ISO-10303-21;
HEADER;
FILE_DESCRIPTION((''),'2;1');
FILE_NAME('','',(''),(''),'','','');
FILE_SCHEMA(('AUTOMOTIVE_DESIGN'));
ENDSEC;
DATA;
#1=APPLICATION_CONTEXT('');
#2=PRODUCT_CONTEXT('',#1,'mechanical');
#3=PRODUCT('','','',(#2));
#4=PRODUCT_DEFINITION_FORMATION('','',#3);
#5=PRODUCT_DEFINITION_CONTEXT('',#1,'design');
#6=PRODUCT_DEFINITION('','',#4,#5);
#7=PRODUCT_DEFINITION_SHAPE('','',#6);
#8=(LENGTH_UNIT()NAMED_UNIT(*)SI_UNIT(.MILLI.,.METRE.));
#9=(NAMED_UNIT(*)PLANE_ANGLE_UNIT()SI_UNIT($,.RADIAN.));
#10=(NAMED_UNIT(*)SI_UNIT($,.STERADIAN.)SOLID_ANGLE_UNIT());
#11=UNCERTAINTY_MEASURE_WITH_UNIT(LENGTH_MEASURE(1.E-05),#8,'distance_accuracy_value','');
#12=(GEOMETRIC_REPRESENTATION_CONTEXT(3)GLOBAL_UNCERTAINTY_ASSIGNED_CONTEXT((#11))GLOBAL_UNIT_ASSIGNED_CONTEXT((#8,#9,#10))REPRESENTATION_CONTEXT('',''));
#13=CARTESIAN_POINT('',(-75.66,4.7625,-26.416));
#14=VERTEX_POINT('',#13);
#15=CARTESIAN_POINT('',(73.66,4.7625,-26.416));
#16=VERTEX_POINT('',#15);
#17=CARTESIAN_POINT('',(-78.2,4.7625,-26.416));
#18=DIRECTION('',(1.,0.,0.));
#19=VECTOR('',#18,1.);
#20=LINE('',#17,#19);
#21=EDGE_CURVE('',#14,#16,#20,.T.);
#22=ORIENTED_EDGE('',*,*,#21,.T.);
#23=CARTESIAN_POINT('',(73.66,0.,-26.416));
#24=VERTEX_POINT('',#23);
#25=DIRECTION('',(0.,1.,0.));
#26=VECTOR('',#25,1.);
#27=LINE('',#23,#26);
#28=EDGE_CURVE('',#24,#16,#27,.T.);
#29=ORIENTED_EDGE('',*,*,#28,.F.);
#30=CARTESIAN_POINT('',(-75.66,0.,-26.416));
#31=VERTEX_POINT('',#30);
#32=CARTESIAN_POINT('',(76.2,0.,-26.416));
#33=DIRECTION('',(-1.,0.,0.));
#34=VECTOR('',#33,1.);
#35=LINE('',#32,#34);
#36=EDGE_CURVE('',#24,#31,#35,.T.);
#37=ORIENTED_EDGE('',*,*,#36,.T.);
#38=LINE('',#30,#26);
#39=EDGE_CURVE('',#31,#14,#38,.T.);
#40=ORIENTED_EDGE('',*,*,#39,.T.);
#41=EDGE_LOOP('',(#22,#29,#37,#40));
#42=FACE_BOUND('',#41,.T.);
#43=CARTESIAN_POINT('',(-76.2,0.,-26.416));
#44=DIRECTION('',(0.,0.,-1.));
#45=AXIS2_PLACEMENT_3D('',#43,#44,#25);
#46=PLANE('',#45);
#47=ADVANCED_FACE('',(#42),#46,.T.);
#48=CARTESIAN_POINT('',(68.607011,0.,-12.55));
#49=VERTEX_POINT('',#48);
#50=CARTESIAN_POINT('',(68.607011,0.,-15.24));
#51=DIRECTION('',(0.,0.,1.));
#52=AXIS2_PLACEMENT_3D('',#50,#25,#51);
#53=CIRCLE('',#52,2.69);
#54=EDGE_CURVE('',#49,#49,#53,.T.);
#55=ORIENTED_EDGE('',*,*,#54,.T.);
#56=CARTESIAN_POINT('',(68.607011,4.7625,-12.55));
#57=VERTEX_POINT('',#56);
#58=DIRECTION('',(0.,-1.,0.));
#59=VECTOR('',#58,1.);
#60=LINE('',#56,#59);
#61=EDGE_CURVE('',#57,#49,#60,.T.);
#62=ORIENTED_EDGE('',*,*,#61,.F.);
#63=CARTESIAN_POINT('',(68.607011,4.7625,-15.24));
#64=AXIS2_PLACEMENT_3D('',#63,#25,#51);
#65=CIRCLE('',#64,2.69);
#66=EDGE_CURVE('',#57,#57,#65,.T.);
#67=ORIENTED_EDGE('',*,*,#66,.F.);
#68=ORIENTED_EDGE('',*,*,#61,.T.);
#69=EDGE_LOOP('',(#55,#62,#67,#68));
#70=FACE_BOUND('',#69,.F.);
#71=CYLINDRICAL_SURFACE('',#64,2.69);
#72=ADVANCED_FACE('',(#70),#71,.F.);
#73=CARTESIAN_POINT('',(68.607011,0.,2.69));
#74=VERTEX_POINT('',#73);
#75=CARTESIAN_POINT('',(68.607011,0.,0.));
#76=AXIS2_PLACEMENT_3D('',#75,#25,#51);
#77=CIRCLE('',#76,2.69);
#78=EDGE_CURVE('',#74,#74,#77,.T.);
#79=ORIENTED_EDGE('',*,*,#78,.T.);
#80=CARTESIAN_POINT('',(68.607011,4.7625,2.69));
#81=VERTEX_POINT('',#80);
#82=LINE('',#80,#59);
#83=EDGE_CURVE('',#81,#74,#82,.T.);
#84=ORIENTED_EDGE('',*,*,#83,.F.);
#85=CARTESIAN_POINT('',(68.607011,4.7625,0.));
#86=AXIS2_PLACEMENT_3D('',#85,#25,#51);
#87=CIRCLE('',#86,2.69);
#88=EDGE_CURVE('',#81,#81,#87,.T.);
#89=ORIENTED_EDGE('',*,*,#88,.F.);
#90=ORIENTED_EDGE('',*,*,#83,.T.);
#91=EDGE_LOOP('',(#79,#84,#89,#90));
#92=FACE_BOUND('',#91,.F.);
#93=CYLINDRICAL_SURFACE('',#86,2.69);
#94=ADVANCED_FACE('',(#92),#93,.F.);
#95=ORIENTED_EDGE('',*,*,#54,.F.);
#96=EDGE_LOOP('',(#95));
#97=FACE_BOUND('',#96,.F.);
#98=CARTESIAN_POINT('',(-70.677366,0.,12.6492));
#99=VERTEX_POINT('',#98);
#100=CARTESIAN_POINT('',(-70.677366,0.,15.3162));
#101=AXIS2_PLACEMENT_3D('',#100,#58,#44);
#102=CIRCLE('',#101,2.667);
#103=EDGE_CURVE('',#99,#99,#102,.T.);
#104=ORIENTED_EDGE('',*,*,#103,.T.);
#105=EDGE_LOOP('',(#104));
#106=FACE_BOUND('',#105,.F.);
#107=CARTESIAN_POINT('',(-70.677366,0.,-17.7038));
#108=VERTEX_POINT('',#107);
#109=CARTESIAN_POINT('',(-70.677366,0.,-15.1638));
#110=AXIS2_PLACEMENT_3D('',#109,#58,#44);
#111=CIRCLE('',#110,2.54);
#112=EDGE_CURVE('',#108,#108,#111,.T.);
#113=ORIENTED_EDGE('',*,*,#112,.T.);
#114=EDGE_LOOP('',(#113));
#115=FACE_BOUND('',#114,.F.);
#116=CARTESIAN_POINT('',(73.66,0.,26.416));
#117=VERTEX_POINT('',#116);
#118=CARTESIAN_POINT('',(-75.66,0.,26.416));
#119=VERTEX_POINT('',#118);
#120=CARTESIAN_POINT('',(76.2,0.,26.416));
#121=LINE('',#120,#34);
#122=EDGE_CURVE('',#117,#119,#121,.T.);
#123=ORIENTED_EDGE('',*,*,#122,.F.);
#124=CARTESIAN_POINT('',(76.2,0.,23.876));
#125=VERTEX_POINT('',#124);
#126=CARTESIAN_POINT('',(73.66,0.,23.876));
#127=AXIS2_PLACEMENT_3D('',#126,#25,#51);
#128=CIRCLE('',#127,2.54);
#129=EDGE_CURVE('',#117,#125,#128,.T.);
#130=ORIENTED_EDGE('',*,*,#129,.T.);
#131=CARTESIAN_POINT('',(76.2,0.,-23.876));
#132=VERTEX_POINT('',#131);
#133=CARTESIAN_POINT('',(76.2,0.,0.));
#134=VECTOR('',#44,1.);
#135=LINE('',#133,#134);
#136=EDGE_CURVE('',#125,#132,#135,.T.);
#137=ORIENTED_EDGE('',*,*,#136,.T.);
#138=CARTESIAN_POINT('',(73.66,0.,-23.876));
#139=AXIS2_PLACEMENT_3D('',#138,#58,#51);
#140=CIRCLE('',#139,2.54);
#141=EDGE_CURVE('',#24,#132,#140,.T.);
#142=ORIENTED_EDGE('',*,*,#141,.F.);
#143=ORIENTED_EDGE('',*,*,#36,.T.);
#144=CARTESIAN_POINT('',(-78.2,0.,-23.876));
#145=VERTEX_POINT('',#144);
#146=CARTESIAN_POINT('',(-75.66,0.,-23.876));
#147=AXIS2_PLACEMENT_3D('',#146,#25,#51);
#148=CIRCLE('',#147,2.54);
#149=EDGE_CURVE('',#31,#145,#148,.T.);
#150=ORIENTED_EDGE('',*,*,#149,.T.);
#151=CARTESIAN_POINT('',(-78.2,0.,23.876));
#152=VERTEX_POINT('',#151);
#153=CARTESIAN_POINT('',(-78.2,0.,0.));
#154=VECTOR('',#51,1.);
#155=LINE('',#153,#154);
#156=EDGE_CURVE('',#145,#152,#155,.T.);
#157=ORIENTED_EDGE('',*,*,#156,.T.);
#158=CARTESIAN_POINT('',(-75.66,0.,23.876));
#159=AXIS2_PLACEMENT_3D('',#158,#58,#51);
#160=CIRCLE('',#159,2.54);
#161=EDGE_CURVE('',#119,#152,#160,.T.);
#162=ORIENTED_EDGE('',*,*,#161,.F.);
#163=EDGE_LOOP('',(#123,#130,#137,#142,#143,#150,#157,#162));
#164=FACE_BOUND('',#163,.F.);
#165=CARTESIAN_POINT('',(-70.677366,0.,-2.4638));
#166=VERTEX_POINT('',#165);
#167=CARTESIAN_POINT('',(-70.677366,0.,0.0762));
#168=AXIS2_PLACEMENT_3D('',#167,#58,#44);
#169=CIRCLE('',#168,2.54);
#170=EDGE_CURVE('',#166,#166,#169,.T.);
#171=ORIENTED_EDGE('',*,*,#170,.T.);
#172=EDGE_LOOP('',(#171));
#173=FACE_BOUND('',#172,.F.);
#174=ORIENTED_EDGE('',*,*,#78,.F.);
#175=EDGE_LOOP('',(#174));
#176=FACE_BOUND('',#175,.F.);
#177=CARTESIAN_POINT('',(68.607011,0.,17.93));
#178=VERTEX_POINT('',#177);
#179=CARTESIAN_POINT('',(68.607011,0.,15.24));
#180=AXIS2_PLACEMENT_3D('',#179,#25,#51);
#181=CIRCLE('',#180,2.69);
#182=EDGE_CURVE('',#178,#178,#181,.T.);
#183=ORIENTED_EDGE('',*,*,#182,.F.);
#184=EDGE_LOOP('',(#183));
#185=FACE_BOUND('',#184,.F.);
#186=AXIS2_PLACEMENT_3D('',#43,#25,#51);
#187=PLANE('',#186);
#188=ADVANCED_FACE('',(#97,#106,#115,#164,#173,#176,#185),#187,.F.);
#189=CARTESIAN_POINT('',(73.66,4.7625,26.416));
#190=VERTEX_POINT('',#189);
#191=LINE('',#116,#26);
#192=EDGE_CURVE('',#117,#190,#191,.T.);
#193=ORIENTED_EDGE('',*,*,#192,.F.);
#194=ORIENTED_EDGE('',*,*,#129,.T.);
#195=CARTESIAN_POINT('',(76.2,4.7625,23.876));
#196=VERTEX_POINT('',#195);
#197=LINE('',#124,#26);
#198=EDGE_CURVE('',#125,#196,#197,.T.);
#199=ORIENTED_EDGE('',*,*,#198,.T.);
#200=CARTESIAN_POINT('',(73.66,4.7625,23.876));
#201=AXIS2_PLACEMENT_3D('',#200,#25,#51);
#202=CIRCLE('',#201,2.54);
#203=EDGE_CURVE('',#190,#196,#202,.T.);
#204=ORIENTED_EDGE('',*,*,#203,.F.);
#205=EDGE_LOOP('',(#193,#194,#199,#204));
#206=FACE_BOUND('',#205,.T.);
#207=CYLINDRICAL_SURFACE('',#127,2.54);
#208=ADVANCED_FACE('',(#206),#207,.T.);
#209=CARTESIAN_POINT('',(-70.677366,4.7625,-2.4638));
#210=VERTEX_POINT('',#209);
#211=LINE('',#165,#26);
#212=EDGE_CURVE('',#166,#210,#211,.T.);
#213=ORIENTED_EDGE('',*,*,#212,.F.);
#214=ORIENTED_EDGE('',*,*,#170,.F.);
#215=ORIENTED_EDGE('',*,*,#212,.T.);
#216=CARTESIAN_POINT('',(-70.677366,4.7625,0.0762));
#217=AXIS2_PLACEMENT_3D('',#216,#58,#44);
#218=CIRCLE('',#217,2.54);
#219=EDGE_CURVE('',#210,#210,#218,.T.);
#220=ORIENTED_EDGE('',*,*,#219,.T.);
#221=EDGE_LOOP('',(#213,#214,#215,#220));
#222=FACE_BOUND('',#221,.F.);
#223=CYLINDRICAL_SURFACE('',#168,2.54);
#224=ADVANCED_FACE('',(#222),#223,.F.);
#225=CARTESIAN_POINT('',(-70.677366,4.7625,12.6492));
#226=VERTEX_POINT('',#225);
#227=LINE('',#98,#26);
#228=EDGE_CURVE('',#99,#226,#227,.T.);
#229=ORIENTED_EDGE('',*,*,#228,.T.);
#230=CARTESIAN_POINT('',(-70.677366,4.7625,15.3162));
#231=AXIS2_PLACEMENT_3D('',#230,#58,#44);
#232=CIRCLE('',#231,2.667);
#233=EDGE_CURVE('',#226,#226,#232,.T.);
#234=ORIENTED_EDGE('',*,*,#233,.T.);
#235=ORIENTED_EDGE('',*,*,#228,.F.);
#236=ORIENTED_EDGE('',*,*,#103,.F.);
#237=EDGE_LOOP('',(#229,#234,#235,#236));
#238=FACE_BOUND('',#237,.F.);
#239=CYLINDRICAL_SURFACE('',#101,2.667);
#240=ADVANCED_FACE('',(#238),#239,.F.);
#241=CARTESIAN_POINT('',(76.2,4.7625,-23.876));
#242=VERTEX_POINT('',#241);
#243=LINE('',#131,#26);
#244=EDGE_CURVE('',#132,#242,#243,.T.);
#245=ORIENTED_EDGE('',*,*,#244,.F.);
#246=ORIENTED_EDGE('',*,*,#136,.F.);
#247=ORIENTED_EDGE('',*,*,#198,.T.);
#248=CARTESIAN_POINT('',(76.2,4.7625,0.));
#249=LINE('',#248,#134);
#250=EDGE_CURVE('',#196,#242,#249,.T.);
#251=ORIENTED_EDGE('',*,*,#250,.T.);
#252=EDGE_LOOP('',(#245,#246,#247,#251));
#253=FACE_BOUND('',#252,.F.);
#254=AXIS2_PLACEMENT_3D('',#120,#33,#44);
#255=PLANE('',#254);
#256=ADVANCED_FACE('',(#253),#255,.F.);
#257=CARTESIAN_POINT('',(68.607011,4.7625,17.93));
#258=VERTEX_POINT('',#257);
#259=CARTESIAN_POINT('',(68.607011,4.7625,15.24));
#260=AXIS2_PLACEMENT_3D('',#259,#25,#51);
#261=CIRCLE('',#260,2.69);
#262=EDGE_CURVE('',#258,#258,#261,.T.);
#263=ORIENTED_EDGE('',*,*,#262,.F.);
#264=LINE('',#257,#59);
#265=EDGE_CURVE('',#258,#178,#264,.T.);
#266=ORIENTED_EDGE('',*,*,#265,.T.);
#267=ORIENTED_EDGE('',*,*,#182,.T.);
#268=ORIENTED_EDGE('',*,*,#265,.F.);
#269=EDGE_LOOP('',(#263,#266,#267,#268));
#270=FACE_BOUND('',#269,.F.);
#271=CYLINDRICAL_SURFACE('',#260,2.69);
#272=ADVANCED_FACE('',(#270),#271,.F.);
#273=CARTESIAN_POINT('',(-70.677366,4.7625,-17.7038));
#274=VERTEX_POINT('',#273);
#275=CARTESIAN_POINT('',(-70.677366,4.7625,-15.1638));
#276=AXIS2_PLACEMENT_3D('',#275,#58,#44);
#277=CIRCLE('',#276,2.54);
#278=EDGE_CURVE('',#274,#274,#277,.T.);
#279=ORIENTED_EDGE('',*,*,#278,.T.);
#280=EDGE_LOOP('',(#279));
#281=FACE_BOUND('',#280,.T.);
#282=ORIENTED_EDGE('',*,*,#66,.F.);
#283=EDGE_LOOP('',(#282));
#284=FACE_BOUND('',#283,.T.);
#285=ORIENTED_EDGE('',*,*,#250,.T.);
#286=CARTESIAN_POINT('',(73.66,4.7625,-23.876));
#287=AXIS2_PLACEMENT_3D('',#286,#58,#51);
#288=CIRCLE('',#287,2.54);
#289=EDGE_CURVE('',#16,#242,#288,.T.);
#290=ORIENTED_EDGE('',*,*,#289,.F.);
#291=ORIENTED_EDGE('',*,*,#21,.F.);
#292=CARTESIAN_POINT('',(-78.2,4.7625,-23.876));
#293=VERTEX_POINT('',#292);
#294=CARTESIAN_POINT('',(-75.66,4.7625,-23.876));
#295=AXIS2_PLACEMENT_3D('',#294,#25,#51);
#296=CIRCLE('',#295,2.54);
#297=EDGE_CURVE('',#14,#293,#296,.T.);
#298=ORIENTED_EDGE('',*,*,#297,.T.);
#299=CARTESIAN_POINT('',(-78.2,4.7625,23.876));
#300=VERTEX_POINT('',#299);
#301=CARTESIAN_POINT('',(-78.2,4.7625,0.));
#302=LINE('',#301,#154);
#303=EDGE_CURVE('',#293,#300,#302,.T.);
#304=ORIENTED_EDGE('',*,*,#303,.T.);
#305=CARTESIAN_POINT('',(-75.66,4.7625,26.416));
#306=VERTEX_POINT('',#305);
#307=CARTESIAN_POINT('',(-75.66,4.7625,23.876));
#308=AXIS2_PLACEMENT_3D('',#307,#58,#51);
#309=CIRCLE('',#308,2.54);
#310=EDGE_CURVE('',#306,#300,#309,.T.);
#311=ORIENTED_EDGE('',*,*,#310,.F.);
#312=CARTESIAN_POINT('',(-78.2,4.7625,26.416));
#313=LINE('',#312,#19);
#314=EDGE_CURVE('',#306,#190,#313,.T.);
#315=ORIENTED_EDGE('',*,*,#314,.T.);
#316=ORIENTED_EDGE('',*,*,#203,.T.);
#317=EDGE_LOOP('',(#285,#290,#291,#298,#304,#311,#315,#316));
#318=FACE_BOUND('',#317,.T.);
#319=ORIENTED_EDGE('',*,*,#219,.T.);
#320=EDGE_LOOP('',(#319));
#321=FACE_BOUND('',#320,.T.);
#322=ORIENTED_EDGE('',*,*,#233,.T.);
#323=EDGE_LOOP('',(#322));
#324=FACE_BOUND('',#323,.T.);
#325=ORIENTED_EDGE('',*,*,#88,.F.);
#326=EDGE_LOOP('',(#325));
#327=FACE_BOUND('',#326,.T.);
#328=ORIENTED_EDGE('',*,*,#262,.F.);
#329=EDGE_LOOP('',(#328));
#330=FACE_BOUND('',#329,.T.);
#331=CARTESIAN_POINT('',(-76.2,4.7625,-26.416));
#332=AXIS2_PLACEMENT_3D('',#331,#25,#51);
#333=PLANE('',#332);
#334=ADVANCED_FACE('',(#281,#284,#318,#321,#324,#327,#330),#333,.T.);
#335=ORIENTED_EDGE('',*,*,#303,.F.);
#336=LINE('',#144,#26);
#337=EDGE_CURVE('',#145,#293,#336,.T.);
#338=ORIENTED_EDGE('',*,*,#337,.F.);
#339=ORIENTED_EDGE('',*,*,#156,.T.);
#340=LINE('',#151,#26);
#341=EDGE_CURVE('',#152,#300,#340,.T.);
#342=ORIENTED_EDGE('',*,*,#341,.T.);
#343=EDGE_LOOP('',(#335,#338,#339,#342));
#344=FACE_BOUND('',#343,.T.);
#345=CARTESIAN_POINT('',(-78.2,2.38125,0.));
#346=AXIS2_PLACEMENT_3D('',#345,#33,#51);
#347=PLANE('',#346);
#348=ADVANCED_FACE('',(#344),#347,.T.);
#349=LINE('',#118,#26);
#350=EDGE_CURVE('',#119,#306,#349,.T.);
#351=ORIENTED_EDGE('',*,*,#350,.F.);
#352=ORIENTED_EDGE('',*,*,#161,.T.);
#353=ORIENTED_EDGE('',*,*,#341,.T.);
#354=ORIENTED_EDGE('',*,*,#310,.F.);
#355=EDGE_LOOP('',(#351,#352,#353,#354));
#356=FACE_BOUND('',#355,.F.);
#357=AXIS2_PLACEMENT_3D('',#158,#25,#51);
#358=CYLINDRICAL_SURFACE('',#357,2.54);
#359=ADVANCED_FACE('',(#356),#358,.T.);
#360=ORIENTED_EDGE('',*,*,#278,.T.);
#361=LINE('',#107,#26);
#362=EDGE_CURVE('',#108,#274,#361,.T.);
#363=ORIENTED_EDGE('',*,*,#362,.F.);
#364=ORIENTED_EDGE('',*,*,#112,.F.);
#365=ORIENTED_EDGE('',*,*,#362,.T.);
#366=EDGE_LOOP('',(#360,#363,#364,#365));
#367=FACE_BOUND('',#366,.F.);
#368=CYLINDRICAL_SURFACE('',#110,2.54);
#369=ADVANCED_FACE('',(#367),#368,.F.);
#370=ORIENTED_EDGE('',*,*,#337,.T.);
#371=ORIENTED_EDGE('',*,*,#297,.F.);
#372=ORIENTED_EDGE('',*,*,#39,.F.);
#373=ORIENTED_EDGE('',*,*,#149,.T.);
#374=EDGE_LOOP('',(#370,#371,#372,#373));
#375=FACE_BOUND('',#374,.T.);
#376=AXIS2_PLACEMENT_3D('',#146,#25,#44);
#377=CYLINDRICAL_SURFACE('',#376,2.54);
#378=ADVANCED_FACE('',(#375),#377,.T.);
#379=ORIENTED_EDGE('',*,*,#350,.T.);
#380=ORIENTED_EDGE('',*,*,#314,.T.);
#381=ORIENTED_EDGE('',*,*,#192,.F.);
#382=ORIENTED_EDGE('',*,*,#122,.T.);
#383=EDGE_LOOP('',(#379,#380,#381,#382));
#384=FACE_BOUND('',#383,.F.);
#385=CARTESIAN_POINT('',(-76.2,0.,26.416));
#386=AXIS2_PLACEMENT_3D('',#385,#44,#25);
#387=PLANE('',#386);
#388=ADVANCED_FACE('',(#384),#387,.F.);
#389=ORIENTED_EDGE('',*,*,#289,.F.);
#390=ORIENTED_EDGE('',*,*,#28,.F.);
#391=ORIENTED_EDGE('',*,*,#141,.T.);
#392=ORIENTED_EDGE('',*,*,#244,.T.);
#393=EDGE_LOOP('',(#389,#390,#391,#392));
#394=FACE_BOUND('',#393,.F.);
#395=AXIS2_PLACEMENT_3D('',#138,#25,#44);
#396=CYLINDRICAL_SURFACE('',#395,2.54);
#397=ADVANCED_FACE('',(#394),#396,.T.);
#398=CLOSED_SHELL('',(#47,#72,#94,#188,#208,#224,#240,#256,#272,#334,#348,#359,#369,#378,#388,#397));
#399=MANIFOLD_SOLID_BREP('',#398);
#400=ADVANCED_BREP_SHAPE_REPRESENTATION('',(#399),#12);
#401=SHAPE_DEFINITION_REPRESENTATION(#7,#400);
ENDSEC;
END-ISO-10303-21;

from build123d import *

# Parameters (mm, degrees)
SKETCH1_W           = 152.4
SKETCH1_H           = 52.832
BOSS_EXTRUDE1_DEPTH = 4.7625
SKETCH2_R           = 2.69
CUT_EXTRUDE1_DEPTH  = 81.789395729
SKETCH5_R           = 2.667
SKETCH5_R_2         = 2.54
CUT_EXTRUDE2_DEPTH  = 81.789395729
SKETCH6_W           = 52.832
SKETCH6_H           = 4.7625
BOSS_EXTRUDE2_DEPTH = 2
FILLET1_R           = 2.54


with BuildPart() as part:
    # Sketch1 → Boss-Extrude1 (new body)
    with BuildSketch(Plane(origin=(0, 0, 0), x_dir=(1, 0, 0), z_dir=(0, 1, 0))):
        Rectangle(SKETCH1_W, SKETCH1_H)
    extrude(amount=BOSS_EXTRUDE1_DEPTH)

    # Sketch2 → Cut-Extrude1 (cut, through all)
    with BuildSketch(Plane(origin=(0, 4.7625, 0), x_dir=(1, 0, 0), z_dir=(0, 1, 0))):
        with Locations(Location((68.607011479, -15.24, 0), (0, 0, 270))):
            Circle(SKETCH2_R)
        with Locations(Location((68.607011479, 0, 0), (0, 0, 270))):
            Circle(SKETCH2_R)
        with Locations(Location((68.607011479, 15.24, 0), (0, 0, 270))):
            Circle(SKETCH2_R)
    extrude(amount=-CUT_EXTRUDE1_DEPTH, mode=Mode.SUBTRACT)

    # Sketch5 → Cut-Extrude2 (cut, through all)
    with BuildSketch(Plane.XZ):
        with Locations(Location((-70.677366471, 15.3162, 0), (0, 0, 270))):
            Circle(SKETCH5_R)
        with Locations(Location((-70.677366471, 0.0762, 0), (0, 0, 270))):
            Circle(SKETCH5_R_2)
        with Locations(Location((-70.677366471, -15.1638, 0), (0, 0, 270))):
            Circle(SKETCH5_R_2)
    extrude(amount=-CUT_EXTRUDE2_DEPTH, mode=Mode.SUBTRACT)

    # Sketch6 → Boss-Extrude2 (add)
    with BuildSketch(Plane.ZY.offset(76.2)):
        with Locations((0, 2.38125)):
            Rectangle(SKETCH6_W, SKETCH6_H)
    extrude(amount=BOSS_EXTRUDE2_DEPTH)

    # Fillet1
    fillet1_edges = [part.edges().sort_by_distance(p)[0] for p in [
        (-78.2, 2.38125, 26.416),
        (-78.2, 2.38125, -26.416),
        (76.2, 2.38125, 26.416),
        (76.2, 2.38125, -26.416),
    ]]
    fillet(fillet1_edges, radius=FILLET1_R)


solid = part.part
